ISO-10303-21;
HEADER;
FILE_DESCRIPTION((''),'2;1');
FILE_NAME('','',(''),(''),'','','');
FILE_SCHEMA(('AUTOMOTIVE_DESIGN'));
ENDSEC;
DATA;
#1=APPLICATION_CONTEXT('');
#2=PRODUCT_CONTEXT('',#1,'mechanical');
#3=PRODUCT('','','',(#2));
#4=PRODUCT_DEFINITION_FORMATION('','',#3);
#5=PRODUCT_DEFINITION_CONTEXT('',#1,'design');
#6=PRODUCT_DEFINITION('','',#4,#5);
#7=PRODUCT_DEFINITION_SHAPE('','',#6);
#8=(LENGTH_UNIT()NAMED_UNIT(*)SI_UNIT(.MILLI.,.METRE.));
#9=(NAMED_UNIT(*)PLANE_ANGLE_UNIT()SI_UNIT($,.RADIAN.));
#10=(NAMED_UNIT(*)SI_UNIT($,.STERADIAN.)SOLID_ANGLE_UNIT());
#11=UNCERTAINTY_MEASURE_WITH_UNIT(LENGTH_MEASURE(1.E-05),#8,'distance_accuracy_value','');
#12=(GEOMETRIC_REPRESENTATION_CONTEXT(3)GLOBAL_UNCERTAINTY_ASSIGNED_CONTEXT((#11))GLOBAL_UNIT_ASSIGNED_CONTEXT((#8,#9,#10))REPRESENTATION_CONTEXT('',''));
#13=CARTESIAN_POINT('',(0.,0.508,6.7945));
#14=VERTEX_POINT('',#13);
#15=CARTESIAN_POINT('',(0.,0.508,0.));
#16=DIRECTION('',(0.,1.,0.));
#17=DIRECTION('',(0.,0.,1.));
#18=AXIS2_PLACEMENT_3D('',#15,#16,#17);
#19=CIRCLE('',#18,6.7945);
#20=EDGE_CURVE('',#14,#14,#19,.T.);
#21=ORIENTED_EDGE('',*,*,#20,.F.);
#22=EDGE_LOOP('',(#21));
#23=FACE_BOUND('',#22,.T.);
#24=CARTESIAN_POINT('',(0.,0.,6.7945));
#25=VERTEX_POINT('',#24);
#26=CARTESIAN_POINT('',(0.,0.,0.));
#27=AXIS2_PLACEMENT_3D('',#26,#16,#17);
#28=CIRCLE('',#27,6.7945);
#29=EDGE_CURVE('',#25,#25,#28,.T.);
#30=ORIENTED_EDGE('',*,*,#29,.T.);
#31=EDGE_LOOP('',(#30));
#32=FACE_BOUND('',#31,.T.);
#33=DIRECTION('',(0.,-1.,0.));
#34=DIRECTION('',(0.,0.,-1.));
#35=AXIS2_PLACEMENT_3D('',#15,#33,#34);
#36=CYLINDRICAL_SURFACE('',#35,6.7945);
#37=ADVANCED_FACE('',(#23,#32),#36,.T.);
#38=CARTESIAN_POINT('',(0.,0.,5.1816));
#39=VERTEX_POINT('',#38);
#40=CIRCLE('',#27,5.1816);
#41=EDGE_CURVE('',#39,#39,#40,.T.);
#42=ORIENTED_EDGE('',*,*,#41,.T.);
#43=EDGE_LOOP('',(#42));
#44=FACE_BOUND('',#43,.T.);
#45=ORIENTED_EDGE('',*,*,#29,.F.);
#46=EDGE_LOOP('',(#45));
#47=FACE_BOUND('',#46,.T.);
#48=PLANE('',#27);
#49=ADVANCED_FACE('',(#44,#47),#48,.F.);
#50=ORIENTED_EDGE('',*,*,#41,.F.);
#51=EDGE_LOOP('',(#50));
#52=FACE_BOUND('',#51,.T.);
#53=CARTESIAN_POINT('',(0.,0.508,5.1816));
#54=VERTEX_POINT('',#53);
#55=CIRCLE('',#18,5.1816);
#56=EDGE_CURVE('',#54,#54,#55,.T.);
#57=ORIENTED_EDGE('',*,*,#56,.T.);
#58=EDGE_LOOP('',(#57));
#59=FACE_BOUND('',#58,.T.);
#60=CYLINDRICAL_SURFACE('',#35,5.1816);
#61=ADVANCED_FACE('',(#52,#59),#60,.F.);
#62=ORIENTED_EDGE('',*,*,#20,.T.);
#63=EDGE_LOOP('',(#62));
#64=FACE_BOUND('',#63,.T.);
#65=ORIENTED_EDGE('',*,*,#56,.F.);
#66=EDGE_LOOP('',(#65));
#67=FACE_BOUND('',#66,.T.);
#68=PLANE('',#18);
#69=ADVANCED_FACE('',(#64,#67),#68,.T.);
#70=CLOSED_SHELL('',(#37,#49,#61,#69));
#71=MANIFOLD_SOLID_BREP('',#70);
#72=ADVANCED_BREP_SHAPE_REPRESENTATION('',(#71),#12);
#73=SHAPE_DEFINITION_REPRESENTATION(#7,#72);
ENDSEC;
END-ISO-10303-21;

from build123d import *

# Parameters (mm, degrees)
SKETCH1_R           = 6.7945
SKETCH1_R_2         = 5.1816
BOSS_EXTRUDE1_DEPTH = 0.508


with BuildPart() as part:
    # Sketch1 → Boss-Extrude1 (new body)
    with BuildSketch(Plane(origin=(0, 0, 0), x_dir=(1, 0, 0), z_dir=(0, 1, 0))):
        Circle(SKETCH1_R)
        Circle(SKETCH1_R_2, mode=Mode.SUBTRACT)
    extrude(amount=BOSS_EXTRUDE1_DEPTH)


solid = part.part
